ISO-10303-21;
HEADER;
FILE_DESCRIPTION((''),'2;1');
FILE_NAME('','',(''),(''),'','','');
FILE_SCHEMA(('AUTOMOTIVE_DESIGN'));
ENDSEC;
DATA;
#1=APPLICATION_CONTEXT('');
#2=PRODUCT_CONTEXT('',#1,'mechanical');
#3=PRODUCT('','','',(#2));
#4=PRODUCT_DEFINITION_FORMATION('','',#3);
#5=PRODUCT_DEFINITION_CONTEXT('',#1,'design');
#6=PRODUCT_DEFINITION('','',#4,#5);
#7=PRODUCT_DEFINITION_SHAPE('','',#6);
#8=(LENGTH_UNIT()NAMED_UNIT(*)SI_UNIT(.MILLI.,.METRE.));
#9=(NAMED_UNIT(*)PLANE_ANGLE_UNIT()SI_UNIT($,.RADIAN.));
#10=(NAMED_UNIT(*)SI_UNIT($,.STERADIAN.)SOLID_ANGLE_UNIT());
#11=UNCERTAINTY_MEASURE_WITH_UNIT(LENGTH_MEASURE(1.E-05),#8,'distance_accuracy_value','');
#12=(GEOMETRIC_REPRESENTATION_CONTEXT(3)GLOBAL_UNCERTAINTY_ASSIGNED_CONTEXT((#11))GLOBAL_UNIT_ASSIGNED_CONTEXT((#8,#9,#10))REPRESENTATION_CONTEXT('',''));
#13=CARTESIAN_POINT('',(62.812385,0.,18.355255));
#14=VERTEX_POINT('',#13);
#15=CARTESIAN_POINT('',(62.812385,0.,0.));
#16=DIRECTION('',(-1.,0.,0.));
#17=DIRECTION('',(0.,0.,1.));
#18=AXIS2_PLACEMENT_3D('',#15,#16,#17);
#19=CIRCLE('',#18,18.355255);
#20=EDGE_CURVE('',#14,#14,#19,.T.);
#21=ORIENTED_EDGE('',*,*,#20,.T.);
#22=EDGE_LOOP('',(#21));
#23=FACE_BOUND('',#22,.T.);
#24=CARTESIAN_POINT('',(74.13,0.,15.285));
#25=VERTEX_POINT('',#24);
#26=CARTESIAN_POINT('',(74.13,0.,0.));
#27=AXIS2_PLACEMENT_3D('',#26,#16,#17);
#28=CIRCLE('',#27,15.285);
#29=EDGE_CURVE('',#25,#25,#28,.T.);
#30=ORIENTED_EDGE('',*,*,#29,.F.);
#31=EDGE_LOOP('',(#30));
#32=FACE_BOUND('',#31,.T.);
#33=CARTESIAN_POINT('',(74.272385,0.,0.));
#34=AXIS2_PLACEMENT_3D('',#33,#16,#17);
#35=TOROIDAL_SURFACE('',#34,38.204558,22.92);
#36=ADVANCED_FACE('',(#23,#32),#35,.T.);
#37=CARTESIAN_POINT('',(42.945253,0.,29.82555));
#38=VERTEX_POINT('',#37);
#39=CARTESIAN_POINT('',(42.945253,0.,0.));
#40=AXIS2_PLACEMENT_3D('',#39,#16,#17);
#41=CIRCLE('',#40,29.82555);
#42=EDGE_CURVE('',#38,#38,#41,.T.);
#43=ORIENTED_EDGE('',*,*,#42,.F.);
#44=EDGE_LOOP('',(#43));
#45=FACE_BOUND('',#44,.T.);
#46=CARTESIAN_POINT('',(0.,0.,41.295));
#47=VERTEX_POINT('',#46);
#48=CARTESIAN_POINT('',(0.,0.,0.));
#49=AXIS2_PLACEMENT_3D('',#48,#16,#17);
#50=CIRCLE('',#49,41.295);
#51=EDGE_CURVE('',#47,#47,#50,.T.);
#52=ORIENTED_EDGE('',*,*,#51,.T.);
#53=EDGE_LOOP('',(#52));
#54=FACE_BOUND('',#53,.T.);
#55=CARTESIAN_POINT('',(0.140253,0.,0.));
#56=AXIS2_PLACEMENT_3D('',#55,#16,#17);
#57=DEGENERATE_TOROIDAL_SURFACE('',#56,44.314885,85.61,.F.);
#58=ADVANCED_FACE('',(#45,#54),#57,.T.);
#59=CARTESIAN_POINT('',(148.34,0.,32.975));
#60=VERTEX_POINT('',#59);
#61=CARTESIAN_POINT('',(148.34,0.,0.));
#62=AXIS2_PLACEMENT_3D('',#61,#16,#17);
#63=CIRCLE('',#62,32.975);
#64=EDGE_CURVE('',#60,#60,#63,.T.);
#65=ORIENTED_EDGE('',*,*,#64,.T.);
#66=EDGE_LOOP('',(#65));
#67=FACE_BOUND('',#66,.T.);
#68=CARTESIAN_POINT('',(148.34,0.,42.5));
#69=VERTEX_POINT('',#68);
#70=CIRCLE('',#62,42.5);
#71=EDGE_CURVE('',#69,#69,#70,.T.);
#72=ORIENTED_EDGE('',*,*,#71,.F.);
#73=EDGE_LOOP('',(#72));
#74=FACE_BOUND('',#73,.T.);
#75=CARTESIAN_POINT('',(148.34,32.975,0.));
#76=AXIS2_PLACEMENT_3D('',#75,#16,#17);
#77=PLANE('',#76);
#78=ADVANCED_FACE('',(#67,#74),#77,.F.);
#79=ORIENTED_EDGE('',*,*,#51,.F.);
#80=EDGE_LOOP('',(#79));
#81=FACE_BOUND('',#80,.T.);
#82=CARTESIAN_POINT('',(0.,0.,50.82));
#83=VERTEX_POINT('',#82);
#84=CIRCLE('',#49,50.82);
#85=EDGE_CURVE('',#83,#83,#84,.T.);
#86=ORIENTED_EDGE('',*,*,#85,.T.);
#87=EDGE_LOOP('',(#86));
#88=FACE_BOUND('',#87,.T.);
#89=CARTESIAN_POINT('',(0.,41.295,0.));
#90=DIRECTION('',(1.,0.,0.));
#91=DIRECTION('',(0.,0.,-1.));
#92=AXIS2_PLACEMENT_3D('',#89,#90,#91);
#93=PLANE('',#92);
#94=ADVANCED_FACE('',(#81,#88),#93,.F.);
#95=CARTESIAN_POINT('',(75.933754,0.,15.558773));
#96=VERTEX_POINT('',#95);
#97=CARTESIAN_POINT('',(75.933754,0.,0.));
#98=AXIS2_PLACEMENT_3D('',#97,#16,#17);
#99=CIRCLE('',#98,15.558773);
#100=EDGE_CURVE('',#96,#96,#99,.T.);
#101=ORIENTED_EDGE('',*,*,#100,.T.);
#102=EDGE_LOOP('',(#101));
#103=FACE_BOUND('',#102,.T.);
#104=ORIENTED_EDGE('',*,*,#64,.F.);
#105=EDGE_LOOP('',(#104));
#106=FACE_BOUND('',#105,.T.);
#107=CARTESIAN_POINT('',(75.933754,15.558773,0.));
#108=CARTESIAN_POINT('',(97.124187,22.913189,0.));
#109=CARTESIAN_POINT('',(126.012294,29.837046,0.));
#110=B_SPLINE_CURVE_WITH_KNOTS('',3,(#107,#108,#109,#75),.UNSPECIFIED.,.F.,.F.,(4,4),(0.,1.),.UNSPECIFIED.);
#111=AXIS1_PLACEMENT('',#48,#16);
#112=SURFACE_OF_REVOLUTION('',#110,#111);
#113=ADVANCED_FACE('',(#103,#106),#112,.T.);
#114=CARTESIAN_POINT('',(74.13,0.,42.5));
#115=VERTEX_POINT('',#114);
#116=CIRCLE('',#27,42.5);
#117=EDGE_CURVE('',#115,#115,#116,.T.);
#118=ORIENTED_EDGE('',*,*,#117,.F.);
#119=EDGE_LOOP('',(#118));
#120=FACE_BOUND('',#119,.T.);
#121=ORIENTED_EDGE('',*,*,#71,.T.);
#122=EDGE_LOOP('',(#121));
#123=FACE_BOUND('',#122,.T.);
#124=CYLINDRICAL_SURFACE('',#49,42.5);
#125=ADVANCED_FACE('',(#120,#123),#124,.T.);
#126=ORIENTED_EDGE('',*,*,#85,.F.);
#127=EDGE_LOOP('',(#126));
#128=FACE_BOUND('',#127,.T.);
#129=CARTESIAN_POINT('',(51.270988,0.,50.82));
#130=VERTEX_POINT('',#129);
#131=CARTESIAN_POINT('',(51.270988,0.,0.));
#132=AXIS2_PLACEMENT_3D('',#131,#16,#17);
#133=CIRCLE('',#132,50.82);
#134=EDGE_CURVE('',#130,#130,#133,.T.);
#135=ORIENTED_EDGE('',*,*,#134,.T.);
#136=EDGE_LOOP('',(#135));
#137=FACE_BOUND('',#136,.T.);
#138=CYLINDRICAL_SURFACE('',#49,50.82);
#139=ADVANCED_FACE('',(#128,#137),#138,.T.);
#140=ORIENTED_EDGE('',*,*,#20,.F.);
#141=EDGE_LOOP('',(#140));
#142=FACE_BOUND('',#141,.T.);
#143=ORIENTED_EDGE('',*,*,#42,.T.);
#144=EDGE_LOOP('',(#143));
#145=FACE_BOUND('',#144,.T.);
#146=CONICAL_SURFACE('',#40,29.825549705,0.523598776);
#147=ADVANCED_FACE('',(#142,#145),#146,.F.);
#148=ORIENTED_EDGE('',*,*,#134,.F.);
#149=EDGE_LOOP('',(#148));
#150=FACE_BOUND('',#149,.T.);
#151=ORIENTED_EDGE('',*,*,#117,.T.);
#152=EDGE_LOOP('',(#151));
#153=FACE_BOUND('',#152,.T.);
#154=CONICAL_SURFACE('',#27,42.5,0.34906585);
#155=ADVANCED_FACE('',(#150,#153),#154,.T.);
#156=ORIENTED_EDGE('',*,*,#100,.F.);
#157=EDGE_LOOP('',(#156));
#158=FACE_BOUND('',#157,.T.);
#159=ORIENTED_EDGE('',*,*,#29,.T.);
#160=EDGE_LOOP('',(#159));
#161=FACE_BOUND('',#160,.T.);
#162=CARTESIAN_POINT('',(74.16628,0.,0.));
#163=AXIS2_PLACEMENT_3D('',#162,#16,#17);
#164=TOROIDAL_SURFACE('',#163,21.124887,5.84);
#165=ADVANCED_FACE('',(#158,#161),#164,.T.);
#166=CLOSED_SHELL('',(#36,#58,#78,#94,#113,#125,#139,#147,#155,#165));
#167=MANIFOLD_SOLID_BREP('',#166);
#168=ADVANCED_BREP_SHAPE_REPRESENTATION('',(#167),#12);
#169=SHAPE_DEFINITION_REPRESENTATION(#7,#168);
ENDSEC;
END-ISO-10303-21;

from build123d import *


with BuildPart() as part:
    # Sketch1 → Revolve1 (revolve)
    with BuildSketch(Plane.XY, mode=Mode.PRIVATE) as revolve1_sk:
        with BuildLine():
            Line((42.945252988, 29.825549705), (62.812385376, 18.355255472))
            ThreePointArc((62.812385376, 18.355255472), (68.271514292, 16.084070702), (74.13, 15.285))
            ThreePointArc((74.13, 15.285), (75.042634026, 15.351014858), (75.933754417, 15.558772587))
            add(Edge.make_bspline(
                [(75.933754417, 15.558772587), (97.124186968, 22.913189408), (126.012294015, 29.837045564), (148.34, 32.975)],
                knots=[0, 0, 0, 0, 1, 1, 1, 1], degree=3))
            Line((148.34, 32.975), (148.34, 42.5))
            Line((148.34, 42.5), (74.13, 42.5))
            Line((74.13, 42.5), (51.27098787, 50.82))
            Line((51.27098787, 50.82), (0, 50.82))
            Line((0, 50.82), (0, 41.295))
            ThreePointArc((0, 41.295), (22.230006991, 38.396147211), (42.945252988, 29.825549705))
        make_face()
    revolve(revolve1_sk.sketch.rotate(Axis((0, 0, 0), (1, 0, 0)), 90), axis=Axis((0, 0, 0), (1, 0, 0)))


solid = part.part
